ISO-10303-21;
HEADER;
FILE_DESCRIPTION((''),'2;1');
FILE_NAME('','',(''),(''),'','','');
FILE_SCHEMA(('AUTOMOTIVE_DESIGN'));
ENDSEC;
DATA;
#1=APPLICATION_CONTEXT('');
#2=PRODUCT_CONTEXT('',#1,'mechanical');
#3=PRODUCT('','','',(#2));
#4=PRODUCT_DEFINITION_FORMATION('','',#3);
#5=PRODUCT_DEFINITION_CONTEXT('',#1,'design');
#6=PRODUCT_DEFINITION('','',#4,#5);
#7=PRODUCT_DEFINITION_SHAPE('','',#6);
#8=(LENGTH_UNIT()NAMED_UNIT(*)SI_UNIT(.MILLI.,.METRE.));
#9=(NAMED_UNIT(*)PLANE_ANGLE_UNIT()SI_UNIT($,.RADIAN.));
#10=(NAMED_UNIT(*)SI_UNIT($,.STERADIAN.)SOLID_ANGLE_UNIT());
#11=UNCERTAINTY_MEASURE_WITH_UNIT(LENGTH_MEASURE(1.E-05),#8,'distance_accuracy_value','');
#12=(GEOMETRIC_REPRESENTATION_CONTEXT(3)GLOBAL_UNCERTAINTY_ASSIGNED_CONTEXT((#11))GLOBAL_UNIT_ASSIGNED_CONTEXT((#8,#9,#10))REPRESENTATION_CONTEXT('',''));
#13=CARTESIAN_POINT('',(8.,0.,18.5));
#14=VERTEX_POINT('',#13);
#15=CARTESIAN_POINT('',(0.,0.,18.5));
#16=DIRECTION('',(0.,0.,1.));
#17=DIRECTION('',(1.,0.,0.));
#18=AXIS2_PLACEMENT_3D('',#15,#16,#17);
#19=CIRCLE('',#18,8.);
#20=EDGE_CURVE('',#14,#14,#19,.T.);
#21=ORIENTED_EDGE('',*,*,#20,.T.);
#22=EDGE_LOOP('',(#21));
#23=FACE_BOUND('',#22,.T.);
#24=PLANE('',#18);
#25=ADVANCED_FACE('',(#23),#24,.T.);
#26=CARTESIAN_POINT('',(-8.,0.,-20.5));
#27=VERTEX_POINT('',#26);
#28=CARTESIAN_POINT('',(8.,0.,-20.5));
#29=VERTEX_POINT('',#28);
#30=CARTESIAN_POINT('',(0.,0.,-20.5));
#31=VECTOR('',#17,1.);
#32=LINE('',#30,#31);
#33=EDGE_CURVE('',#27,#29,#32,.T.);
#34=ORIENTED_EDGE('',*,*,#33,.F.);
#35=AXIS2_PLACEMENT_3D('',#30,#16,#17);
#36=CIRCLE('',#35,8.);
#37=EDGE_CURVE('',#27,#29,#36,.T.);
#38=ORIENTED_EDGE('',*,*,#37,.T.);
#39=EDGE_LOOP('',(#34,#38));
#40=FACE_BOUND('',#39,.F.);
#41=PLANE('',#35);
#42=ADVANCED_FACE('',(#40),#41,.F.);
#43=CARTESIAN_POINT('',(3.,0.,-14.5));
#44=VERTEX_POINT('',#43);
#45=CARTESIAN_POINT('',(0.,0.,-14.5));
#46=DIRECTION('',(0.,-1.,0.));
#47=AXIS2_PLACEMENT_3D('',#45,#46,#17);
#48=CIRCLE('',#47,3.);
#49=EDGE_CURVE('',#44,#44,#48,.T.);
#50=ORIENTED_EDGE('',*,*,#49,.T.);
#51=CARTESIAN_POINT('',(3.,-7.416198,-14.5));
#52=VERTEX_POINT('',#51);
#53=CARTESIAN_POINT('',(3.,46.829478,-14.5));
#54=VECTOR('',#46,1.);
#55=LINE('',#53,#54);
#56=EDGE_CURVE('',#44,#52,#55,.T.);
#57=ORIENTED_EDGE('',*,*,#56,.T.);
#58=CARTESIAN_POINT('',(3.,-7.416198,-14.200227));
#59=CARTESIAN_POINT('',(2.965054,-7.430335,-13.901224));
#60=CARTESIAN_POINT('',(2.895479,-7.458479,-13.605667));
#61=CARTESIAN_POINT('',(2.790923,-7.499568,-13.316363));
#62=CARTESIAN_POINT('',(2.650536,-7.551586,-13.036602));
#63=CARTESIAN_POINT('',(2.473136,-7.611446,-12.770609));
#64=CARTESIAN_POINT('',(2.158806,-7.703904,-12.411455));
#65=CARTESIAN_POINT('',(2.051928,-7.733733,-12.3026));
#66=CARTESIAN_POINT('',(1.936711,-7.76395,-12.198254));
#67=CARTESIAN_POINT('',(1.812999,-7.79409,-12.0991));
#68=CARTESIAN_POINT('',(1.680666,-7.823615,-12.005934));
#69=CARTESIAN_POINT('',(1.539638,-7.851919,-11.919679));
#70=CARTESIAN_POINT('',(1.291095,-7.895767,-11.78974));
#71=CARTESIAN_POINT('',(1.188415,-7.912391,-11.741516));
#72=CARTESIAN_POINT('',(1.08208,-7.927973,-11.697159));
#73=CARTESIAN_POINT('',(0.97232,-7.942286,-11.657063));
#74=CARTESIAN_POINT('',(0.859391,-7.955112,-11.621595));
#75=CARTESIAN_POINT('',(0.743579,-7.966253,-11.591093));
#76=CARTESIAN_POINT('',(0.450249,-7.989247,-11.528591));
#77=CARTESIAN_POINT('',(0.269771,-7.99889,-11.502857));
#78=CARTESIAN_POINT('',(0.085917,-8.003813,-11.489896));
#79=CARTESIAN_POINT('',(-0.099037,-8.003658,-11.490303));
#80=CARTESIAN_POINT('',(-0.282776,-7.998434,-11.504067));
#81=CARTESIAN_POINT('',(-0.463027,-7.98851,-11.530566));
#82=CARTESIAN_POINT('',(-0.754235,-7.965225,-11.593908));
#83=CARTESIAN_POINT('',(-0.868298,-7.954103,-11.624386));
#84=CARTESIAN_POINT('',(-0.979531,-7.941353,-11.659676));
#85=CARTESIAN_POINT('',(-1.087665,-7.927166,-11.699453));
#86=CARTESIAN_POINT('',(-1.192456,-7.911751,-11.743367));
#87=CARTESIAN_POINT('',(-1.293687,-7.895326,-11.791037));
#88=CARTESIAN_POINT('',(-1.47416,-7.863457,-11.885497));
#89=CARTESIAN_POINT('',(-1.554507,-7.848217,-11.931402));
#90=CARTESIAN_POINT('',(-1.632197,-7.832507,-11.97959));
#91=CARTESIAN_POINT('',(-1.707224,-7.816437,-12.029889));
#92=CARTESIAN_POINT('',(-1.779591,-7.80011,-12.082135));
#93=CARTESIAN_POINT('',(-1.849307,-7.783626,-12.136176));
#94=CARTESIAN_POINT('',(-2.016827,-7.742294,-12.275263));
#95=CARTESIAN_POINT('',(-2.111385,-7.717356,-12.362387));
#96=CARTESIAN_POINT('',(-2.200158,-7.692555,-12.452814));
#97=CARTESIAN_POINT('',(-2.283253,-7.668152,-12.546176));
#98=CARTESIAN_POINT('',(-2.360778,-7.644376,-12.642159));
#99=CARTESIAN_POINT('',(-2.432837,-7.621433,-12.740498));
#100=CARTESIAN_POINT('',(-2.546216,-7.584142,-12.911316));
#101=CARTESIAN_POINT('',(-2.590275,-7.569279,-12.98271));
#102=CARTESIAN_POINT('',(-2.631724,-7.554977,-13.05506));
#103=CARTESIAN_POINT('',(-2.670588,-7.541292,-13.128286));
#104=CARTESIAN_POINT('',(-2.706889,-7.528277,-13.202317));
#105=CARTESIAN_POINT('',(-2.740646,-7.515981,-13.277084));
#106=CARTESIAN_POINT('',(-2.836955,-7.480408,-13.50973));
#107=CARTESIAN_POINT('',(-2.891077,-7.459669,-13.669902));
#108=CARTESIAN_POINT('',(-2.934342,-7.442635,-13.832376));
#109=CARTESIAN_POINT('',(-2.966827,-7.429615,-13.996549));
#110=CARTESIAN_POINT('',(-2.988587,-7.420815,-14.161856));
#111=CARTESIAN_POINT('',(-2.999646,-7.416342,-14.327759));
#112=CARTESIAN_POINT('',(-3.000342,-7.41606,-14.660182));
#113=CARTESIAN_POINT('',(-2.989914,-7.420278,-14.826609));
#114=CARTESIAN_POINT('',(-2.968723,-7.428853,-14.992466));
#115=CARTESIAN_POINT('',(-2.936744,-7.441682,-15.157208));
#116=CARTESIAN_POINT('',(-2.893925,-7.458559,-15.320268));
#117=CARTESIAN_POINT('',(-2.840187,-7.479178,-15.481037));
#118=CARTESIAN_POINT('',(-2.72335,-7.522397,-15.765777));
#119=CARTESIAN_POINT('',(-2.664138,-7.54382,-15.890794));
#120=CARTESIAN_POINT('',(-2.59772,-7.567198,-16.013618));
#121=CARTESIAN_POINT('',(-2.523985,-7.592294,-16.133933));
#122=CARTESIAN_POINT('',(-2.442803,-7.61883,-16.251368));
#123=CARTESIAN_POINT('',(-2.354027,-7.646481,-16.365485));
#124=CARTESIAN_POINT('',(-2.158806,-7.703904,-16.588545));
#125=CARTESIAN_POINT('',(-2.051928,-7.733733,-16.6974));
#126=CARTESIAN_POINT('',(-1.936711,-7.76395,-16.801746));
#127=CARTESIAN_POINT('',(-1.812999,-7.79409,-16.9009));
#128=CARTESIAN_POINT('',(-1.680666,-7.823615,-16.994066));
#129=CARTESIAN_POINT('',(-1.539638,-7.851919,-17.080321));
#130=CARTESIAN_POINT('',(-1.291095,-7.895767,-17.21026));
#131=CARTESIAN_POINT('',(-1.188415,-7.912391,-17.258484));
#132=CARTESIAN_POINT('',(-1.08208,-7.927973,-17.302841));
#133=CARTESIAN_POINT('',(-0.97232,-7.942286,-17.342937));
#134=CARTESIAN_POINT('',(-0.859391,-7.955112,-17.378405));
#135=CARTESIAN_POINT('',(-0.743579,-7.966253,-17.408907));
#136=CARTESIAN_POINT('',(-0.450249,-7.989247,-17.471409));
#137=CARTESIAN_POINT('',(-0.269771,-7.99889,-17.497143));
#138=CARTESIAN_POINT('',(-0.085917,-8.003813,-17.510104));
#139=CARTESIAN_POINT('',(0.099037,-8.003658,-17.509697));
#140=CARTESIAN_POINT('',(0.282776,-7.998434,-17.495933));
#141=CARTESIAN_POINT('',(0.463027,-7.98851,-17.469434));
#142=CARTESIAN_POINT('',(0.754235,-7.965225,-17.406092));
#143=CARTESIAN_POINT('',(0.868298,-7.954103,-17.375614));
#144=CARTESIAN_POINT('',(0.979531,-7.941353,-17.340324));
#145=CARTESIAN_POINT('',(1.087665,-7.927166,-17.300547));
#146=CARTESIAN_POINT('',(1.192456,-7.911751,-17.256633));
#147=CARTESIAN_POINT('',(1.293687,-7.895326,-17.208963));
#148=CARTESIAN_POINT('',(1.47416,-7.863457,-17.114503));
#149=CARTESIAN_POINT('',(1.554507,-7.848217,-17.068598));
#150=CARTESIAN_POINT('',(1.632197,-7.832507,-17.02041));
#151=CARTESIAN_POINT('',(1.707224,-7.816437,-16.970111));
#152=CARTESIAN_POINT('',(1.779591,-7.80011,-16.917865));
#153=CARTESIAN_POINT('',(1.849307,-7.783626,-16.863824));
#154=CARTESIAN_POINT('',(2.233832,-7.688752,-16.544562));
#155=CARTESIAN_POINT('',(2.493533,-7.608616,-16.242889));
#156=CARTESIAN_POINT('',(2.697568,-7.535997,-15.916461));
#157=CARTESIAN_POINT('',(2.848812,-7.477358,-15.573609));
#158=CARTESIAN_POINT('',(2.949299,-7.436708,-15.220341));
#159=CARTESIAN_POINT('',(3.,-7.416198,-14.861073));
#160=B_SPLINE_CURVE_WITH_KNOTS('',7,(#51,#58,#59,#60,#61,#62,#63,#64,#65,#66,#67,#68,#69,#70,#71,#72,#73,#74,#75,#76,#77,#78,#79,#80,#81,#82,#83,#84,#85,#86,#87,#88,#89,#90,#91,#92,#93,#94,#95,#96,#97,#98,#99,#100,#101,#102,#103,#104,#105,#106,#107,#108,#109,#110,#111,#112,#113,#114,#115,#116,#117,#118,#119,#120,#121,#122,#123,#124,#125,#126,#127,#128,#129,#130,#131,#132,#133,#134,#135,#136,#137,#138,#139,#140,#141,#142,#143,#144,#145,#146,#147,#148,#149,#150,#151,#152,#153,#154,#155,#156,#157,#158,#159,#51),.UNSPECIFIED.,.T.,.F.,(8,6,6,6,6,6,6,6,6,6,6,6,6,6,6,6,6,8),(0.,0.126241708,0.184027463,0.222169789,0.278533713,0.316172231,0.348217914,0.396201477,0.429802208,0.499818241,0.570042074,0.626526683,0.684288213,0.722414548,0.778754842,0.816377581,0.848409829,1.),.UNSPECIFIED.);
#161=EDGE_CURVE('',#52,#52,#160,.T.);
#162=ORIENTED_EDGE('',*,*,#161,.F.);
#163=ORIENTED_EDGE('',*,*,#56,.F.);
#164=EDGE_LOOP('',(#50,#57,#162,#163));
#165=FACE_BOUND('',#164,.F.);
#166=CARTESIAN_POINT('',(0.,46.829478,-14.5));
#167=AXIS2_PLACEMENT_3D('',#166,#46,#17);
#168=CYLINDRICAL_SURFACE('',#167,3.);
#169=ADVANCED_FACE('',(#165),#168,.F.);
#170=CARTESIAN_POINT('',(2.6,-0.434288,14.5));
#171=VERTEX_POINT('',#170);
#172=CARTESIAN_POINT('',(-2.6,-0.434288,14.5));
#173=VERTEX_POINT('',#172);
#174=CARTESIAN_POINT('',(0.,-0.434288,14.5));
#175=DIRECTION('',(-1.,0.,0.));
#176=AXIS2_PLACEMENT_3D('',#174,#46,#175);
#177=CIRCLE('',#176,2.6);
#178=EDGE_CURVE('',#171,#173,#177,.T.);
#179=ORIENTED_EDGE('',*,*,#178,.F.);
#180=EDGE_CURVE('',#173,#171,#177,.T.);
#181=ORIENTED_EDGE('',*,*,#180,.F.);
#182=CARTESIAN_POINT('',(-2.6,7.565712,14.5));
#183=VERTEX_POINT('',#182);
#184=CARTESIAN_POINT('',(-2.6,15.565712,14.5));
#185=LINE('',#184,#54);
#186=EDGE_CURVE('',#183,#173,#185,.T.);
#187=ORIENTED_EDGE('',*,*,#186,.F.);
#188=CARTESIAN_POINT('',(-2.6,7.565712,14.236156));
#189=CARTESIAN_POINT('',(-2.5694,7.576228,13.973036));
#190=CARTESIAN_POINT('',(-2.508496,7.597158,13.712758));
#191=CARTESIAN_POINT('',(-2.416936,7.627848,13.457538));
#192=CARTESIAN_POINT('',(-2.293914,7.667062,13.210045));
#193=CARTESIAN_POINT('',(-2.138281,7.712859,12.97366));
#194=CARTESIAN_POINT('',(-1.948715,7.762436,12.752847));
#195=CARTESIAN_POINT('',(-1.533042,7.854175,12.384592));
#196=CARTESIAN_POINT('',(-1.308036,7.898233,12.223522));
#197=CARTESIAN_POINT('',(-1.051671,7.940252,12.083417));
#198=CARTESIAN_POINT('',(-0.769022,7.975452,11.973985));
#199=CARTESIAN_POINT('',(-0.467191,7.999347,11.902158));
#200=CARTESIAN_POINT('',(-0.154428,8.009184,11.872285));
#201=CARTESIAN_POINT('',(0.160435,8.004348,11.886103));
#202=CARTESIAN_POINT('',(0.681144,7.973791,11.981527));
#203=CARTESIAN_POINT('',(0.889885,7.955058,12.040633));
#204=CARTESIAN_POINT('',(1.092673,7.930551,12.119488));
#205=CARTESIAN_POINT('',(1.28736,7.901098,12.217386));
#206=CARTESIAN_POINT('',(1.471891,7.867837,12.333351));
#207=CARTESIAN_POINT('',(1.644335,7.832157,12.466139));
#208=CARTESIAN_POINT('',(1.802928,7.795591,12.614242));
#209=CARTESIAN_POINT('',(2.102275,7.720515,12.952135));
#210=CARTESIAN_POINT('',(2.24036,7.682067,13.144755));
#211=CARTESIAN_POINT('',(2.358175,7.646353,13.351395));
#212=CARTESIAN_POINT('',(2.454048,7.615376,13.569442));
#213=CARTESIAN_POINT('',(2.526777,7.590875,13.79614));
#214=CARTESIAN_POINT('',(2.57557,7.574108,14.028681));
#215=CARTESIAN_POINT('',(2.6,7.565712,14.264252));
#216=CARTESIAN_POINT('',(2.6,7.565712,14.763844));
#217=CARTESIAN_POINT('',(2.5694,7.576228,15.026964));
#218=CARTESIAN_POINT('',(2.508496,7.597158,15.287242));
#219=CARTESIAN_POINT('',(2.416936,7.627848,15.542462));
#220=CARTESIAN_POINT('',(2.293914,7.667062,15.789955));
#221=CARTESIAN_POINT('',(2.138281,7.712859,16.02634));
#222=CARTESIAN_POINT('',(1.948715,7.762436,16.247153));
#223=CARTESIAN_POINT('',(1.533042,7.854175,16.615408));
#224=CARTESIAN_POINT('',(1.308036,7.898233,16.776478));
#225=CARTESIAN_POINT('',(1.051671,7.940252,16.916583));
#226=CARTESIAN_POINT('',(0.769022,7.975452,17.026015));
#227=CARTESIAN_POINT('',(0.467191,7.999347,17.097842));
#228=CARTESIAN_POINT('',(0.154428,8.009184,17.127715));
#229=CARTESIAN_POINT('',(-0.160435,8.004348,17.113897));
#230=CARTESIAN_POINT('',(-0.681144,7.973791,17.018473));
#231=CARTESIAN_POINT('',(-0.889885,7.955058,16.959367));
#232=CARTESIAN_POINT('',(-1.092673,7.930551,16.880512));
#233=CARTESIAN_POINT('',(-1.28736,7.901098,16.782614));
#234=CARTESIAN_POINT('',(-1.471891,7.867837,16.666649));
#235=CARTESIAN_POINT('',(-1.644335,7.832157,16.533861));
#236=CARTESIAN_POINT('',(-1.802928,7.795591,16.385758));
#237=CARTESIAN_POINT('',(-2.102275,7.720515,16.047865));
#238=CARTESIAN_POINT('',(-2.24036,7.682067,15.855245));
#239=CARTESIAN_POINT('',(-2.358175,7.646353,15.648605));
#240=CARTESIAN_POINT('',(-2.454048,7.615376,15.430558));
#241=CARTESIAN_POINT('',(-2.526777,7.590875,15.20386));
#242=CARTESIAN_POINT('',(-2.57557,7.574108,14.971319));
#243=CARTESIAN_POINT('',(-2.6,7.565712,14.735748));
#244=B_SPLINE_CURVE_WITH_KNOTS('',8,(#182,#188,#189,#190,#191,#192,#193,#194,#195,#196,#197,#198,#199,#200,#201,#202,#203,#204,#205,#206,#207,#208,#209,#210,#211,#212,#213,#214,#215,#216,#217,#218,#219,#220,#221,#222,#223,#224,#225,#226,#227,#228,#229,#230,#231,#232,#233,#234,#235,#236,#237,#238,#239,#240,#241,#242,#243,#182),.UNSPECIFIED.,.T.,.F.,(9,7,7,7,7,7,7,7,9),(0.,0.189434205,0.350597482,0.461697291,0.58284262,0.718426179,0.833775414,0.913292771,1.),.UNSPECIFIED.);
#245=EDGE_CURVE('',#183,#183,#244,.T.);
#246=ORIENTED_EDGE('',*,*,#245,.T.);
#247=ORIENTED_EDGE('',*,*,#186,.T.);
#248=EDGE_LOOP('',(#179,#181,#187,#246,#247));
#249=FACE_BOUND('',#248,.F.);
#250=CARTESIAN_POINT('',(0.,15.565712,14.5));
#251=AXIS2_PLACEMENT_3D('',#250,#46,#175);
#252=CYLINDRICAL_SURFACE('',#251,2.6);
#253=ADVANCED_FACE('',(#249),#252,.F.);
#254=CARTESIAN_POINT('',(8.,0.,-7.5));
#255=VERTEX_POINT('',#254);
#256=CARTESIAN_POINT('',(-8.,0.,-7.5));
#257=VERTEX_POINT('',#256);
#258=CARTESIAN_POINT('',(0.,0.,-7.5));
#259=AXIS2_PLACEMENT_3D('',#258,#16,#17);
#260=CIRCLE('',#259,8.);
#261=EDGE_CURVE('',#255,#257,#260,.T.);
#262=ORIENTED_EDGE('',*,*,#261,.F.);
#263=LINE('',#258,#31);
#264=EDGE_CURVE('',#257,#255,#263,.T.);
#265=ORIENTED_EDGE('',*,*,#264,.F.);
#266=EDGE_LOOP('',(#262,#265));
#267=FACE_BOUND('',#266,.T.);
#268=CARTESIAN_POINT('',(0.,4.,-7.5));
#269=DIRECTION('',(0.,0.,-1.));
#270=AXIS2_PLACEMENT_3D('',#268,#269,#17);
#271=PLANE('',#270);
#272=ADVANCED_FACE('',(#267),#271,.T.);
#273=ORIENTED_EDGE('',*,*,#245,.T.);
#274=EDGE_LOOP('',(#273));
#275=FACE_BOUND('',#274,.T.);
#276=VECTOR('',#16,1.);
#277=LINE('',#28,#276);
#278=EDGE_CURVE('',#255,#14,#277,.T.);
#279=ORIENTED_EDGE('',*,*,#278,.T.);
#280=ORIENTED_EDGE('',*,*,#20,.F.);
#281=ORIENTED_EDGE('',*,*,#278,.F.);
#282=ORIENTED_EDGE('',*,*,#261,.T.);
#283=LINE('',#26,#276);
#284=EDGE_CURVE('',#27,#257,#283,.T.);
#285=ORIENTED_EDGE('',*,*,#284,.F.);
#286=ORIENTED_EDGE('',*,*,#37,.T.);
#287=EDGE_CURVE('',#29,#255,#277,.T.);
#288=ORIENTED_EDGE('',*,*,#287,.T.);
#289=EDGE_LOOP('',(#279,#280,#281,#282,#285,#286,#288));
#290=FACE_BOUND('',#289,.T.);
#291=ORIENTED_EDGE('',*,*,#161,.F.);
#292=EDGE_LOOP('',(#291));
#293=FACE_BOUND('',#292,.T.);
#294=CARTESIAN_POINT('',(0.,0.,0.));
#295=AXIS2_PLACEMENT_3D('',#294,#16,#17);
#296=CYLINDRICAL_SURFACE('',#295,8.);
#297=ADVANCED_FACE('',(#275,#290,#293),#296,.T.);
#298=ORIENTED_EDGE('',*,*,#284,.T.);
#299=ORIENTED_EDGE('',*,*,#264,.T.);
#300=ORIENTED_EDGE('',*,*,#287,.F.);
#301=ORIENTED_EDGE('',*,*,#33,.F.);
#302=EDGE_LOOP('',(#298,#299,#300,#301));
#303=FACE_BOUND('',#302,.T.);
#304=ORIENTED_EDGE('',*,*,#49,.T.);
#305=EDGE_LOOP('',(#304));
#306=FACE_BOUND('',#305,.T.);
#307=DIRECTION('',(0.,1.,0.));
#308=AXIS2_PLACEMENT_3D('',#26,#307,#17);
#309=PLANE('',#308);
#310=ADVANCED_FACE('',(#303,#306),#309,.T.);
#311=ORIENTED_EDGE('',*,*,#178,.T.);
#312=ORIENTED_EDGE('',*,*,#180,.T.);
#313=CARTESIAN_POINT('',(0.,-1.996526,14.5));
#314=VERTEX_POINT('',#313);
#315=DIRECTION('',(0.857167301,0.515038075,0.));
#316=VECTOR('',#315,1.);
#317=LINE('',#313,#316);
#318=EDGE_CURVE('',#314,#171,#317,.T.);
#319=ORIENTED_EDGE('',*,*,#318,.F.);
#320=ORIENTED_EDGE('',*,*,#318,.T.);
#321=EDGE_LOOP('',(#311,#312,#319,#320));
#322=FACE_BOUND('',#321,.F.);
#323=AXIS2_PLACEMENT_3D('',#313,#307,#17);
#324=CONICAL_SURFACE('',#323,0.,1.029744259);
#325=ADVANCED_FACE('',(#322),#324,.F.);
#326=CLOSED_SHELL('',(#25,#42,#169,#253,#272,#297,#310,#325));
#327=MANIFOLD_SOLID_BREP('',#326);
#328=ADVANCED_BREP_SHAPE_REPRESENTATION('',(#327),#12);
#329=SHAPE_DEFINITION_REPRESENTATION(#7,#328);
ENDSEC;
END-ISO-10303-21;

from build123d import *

# Parameters (mm, degrees)
F0_R      = 8
F1_DEPTH  = 20.5
F2_W      = 16
F2_H      = 8
F3_DEPTH  = 13
F5_D      = 6
F8_D      = 5.2
F8_DEPTH  = 8
F8_START  = 0.434288
F8_TIP    = 1.5622376095
F9_R      = 8
F10_DEPTH = 2


with BuildPart() as f1:
    # F0 (on Top) → F1 (new body, symmetric)
    with BuildSketch(Plane.XY):
        Circle(F0_R)
    extrude(amount=F1_DEPTH, both=True)

    # F2 (on face) → F3 (cut)
    with BuildSketch(Plane(origin=(0, 0, -20.5), x_dir=(1, 0, 0), z_dir=(0, 0, -1))):
        with Locations((0, -4)):
            Rectangle(F2_W, F2_H)
    extrude(amount=-F3_DEPTH, mode=Mode.SUBTRACT)

    # F5 (through all)
    with Locations(Plane(origin=(0, 0, 0), x_dir=(-1, 0, 0), z_dir=(0, 1, 0))):
        with Locations((0, -14.5)):
            Hole(F5_D / 2)

    # F8
    # its depths count from where the whole tool has entered the part; down to there all is cleared
    with Locations(Plane(origin=(0, 8, 0), x_dir=(1, 0, 0), z_dir=(0, 1, 0)).offset(-F8_START)):
        with Locations((0, -14.5)):
            Hole(F8_D / 2, depth=F8_DEPTH)
            with Locations((0, 0, -(F8_DEPTH + F8_TIP / 2))):  # 118° drill point
                Cone(0, F8_D / 2, F8_TIP, mode=Mode.SUBTRACT)

    # F9 (on face) → F10 (cut)
    with BuildSketch(Plane.XY.offset(20.5)):
        Circle(F9_R)
    extrude(amount=-F10_DEPTH, mode=Mode.SUBTRACT)


solid = f1.part
